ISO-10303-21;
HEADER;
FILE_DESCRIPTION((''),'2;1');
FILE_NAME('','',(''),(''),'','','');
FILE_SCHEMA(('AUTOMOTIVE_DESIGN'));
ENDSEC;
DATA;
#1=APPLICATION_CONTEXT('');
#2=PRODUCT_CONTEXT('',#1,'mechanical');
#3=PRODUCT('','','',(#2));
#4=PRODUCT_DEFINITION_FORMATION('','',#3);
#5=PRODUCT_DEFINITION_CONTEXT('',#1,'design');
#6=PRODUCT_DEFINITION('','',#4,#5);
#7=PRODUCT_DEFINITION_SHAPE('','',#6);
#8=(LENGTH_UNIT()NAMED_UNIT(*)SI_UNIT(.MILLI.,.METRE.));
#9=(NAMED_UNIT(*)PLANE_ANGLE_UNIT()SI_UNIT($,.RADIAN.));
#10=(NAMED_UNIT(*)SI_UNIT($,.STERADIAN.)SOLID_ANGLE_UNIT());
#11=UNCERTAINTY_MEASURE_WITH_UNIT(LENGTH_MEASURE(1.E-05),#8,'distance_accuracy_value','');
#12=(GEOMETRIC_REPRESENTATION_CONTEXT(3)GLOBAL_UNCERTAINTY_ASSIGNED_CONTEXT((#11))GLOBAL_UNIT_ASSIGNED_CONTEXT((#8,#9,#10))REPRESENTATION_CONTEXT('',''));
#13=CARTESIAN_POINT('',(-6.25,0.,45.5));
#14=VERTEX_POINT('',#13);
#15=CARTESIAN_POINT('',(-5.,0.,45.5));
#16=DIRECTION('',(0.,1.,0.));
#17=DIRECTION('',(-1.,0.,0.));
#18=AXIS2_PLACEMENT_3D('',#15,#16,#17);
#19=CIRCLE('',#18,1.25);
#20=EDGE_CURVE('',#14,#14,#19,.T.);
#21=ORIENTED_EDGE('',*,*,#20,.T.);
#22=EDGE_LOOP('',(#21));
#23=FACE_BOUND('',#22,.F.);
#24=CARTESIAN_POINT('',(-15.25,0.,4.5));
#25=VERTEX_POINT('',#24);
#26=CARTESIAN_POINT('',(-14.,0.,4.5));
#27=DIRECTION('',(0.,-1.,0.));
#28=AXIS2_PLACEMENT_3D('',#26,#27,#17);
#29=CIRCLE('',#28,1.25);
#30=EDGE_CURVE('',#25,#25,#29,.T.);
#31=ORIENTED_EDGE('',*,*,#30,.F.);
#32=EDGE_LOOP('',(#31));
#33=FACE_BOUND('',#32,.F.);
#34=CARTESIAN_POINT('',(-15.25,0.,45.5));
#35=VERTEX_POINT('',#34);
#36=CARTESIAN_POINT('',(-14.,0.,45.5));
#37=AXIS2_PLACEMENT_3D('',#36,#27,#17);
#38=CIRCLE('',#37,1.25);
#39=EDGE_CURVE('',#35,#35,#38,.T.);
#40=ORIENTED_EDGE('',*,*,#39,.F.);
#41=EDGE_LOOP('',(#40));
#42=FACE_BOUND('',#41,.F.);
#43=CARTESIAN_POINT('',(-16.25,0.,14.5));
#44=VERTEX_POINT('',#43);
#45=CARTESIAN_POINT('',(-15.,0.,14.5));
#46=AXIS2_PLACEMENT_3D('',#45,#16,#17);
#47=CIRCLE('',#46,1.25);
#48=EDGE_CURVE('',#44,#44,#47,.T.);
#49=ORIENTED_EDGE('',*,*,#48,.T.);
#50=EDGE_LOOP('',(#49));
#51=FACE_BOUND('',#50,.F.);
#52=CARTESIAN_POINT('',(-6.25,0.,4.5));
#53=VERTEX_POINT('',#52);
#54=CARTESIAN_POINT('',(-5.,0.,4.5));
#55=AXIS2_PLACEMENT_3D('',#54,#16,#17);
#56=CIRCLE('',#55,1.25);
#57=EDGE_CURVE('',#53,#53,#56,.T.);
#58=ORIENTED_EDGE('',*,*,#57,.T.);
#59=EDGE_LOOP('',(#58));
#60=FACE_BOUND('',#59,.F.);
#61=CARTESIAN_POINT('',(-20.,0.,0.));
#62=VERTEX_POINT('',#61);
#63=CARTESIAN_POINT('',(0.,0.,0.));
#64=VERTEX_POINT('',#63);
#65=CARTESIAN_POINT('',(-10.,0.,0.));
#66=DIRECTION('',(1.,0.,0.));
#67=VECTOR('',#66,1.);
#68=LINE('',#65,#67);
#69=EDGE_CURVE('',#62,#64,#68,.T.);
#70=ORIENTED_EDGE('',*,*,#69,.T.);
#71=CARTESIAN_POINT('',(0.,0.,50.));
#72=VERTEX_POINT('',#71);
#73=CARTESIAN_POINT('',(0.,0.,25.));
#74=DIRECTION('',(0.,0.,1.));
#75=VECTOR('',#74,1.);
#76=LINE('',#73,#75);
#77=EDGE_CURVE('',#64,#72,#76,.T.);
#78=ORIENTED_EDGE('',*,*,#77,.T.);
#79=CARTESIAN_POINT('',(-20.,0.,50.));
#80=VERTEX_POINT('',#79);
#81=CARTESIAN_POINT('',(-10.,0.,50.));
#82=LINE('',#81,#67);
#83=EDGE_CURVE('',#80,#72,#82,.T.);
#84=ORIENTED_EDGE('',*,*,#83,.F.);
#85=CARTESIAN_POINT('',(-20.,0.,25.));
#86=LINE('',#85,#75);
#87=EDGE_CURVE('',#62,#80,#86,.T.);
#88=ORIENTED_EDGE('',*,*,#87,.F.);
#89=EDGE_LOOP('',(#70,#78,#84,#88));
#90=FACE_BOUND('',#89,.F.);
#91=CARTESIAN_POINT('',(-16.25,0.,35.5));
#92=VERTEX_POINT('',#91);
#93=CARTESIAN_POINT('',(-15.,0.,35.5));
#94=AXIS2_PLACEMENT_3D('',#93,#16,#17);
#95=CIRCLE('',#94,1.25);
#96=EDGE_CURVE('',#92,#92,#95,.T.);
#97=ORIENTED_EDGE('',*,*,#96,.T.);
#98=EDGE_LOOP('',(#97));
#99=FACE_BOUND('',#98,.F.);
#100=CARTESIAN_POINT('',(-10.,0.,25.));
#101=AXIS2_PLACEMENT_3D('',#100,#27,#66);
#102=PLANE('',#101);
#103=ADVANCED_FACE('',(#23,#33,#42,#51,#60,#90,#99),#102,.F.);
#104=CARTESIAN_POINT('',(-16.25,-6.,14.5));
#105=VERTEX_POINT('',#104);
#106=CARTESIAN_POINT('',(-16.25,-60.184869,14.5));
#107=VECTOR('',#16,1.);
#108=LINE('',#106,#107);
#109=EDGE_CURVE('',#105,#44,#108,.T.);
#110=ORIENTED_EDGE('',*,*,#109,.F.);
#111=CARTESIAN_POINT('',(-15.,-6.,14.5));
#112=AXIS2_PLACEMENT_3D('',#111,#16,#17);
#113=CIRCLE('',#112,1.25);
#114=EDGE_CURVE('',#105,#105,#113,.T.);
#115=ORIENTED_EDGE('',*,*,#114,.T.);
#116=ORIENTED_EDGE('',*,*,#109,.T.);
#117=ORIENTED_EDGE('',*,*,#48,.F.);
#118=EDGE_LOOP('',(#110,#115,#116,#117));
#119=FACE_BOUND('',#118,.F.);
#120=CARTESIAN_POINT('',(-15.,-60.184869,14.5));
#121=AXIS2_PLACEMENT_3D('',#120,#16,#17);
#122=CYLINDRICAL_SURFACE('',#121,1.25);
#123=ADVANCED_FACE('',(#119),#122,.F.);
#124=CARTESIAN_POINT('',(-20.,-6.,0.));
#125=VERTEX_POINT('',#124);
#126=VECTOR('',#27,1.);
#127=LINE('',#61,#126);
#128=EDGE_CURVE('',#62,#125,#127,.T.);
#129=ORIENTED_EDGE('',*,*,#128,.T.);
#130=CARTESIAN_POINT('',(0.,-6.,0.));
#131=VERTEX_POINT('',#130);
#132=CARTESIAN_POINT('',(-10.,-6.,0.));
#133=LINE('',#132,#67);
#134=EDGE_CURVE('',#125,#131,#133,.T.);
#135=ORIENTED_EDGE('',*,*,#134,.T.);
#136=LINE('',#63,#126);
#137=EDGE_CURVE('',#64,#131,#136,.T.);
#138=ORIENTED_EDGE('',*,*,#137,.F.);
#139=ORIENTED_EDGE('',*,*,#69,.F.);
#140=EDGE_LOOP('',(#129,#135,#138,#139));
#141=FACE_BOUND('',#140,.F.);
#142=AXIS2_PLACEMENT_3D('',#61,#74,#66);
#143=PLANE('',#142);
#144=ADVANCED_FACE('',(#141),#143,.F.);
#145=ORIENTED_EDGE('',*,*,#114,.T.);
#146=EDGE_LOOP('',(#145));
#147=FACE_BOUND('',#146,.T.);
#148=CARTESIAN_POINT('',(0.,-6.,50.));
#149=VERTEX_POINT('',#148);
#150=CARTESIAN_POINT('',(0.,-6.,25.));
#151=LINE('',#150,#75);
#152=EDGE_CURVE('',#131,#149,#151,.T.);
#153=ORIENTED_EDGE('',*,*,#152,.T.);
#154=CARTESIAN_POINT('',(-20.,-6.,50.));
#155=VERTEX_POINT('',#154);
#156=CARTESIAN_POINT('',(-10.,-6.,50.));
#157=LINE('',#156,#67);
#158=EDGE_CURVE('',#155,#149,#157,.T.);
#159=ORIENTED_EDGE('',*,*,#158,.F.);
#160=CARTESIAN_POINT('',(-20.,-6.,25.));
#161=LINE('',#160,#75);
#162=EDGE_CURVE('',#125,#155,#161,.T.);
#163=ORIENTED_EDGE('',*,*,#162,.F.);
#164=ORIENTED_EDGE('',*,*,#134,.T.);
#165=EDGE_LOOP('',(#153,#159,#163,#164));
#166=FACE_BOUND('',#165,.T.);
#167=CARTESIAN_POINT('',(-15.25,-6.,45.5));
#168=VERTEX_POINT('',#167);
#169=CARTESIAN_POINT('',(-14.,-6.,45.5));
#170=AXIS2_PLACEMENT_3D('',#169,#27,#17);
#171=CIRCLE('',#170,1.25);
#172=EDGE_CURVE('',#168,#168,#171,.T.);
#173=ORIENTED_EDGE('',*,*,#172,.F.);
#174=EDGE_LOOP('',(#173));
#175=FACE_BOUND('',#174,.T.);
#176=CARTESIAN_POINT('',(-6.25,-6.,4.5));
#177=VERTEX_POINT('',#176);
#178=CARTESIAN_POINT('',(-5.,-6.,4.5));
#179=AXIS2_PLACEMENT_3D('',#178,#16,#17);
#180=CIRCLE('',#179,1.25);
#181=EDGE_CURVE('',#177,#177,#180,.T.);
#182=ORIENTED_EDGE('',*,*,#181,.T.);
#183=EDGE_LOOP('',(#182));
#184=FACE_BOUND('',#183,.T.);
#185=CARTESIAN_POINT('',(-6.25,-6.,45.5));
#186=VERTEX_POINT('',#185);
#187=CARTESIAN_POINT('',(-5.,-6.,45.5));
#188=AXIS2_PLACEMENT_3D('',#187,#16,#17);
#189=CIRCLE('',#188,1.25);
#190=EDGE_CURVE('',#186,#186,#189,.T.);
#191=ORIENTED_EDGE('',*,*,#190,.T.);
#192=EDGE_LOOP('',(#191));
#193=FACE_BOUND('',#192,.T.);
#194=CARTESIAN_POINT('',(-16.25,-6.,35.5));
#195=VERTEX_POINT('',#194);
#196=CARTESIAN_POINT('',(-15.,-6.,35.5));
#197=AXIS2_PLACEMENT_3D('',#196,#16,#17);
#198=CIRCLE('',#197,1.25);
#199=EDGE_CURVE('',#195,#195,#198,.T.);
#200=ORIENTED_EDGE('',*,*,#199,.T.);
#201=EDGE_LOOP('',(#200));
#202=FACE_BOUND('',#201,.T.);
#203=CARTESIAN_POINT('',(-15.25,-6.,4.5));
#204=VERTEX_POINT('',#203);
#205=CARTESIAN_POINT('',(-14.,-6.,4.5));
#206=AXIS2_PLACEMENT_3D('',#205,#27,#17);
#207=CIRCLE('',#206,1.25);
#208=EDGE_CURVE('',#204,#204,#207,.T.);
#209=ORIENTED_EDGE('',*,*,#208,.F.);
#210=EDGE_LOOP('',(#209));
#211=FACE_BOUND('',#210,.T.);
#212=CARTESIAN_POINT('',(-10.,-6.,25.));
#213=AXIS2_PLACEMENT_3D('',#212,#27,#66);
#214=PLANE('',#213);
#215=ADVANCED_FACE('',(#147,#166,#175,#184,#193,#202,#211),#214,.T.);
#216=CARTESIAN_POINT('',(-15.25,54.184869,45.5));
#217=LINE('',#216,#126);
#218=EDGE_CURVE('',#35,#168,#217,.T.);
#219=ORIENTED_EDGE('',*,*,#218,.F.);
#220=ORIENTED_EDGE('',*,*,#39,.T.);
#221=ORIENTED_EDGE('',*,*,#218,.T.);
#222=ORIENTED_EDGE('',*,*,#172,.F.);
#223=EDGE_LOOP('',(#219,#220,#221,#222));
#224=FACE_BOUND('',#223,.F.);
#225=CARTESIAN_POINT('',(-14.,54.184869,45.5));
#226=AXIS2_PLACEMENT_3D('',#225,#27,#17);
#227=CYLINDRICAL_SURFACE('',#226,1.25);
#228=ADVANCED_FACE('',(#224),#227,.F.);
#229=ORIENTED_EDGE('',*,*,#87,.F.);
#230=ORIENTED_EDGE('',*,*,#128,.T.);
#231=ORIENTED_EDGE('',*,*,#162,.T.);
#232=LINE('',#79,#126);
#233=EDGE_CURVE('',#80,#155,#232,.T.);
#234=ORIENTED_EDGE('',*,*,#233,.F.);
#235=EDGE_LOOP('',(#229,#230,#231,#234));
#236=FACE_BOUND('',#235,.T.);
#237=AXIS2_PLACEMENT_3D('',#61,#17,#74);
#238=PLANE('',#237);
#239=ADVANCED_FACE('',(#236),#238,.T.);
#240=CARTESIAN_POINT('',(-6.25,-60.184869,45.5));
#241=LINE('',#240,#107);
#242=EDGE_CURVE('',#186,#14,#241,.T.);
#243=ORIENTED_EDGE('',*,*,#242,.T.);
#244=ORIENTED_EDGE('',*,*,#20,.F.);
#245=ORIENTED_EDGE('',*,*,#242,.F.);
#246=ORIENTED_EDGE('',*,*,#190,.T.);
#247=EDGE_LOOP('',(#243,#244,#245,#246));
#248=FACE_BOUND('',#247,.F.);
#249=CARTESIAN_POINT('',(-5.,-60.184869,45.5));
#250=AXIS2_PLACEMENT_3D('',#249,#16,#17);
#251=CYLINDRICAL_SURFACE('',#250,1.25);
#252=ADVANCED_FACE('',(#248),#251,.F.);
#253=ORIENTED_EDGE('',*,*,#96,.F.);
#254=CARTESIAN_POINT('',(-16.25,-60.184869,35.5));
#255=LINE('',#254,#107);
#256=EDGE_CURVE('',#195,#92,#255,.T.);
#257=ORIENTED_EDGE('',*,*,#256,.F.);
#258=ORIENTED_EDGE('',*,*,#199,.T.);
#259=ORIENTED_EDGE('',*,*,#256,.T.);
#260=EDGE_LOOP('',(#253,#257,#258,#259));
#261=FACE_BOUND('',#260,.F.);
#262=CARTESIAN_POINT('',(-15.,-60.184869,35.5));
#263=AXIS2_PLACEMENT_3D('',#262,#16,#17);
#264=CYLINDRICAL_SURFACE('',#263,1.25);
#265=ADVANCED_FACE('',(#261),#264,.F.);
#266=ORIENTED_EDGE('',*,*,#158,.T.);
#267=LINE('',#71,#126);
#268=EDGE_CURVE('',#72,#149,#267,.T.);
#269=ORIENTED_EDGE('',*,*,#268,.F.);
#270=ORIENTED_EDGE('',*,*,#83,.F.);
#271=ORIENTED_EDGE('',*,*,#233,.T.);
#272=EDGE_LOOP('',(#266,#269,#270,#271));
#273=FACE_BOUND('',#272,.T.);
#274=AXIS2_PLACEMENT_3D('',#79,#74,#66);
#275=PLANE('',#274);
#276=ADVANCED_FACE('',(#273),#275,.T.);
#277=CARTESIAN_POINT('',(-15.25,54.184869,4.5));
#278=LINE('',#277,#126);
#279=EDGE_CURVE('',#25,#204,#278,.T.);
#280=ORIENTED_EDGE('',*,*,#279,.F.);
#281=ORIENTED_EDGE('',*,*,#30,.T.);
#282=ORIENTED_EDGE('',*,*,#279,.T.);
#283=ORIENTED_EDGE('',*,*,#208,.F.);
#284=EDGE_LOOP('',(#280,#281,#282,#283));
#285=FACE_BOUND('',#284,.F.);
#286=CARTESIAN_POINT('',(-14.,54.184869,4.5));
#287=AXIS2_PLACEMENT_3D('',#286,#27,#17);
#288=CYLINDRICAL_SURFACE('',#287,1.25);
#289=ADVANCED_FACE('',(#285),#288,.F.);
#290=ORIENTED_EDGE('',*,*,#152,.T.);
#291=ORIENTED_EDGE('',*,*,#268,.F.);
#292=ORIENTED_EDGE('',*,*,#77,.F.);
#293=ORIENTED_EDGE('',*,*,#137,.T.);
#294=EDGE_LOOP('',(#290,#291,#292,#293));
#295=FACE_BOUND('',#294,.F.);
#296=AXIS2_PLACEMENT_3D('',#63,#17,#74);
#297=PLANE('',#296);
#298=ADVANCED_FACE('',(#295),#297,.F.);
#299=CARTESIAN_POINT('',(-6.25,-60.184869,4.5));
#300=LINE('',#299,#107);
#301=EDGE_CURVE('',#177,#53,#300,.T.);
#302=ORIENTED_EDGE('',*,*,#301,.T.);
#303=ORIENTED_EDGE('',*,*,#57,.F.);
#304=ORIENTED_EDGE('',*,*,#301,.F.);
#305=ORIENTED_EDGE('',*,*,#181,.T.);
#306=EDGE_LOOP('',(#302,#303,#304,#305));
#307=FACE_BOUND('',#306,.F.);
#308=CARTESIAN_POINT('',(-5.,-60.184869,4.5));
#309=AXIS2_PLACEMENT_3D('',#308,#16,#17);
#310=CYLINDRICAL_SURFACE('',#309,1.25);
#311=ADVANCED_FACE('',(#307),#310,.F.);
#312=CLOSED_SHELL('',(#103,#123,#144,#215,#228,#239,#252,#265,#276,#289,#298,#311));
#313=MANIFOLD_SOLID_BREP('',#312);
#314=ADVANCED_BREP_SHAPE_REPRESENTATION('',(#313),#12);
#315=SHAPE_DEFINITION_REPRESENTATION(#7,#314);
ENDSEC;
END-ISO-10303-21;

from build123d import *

# Parameters (mm, degrees)
F0_W     = 20
F0_H     = 50
F1_DEPTH = 6
F3_D     = 2.5
F5_D     = 2.5


with BuildPart() as f1:
    # F0 (on Front) → F1 (new body)
    with BuildSketch(Plane.XZ):
        with Locations((-10, 25)):
            Rectangle(F0_W, F0_H)
    extrude(amount=F1_DEPTH)

    # F3 (through all)
    with Locations(Plane.XZ.offset(6)):
        with Locations((-5, 45.5), (-5, 4.5), (-15, 14.5), (-15, 35.5)):
            Hole(F3_D / 2)

    # F5 (through all)
    with Locations(Plane(origin=(0, 0, 0), x_dir=(1, 0, 0), z_dir=(0, 1, 0))):
        with Locations((-14, -45.5), (-14, -4.5)):
            Hole(F5_D / 2)


solid = f1.part
